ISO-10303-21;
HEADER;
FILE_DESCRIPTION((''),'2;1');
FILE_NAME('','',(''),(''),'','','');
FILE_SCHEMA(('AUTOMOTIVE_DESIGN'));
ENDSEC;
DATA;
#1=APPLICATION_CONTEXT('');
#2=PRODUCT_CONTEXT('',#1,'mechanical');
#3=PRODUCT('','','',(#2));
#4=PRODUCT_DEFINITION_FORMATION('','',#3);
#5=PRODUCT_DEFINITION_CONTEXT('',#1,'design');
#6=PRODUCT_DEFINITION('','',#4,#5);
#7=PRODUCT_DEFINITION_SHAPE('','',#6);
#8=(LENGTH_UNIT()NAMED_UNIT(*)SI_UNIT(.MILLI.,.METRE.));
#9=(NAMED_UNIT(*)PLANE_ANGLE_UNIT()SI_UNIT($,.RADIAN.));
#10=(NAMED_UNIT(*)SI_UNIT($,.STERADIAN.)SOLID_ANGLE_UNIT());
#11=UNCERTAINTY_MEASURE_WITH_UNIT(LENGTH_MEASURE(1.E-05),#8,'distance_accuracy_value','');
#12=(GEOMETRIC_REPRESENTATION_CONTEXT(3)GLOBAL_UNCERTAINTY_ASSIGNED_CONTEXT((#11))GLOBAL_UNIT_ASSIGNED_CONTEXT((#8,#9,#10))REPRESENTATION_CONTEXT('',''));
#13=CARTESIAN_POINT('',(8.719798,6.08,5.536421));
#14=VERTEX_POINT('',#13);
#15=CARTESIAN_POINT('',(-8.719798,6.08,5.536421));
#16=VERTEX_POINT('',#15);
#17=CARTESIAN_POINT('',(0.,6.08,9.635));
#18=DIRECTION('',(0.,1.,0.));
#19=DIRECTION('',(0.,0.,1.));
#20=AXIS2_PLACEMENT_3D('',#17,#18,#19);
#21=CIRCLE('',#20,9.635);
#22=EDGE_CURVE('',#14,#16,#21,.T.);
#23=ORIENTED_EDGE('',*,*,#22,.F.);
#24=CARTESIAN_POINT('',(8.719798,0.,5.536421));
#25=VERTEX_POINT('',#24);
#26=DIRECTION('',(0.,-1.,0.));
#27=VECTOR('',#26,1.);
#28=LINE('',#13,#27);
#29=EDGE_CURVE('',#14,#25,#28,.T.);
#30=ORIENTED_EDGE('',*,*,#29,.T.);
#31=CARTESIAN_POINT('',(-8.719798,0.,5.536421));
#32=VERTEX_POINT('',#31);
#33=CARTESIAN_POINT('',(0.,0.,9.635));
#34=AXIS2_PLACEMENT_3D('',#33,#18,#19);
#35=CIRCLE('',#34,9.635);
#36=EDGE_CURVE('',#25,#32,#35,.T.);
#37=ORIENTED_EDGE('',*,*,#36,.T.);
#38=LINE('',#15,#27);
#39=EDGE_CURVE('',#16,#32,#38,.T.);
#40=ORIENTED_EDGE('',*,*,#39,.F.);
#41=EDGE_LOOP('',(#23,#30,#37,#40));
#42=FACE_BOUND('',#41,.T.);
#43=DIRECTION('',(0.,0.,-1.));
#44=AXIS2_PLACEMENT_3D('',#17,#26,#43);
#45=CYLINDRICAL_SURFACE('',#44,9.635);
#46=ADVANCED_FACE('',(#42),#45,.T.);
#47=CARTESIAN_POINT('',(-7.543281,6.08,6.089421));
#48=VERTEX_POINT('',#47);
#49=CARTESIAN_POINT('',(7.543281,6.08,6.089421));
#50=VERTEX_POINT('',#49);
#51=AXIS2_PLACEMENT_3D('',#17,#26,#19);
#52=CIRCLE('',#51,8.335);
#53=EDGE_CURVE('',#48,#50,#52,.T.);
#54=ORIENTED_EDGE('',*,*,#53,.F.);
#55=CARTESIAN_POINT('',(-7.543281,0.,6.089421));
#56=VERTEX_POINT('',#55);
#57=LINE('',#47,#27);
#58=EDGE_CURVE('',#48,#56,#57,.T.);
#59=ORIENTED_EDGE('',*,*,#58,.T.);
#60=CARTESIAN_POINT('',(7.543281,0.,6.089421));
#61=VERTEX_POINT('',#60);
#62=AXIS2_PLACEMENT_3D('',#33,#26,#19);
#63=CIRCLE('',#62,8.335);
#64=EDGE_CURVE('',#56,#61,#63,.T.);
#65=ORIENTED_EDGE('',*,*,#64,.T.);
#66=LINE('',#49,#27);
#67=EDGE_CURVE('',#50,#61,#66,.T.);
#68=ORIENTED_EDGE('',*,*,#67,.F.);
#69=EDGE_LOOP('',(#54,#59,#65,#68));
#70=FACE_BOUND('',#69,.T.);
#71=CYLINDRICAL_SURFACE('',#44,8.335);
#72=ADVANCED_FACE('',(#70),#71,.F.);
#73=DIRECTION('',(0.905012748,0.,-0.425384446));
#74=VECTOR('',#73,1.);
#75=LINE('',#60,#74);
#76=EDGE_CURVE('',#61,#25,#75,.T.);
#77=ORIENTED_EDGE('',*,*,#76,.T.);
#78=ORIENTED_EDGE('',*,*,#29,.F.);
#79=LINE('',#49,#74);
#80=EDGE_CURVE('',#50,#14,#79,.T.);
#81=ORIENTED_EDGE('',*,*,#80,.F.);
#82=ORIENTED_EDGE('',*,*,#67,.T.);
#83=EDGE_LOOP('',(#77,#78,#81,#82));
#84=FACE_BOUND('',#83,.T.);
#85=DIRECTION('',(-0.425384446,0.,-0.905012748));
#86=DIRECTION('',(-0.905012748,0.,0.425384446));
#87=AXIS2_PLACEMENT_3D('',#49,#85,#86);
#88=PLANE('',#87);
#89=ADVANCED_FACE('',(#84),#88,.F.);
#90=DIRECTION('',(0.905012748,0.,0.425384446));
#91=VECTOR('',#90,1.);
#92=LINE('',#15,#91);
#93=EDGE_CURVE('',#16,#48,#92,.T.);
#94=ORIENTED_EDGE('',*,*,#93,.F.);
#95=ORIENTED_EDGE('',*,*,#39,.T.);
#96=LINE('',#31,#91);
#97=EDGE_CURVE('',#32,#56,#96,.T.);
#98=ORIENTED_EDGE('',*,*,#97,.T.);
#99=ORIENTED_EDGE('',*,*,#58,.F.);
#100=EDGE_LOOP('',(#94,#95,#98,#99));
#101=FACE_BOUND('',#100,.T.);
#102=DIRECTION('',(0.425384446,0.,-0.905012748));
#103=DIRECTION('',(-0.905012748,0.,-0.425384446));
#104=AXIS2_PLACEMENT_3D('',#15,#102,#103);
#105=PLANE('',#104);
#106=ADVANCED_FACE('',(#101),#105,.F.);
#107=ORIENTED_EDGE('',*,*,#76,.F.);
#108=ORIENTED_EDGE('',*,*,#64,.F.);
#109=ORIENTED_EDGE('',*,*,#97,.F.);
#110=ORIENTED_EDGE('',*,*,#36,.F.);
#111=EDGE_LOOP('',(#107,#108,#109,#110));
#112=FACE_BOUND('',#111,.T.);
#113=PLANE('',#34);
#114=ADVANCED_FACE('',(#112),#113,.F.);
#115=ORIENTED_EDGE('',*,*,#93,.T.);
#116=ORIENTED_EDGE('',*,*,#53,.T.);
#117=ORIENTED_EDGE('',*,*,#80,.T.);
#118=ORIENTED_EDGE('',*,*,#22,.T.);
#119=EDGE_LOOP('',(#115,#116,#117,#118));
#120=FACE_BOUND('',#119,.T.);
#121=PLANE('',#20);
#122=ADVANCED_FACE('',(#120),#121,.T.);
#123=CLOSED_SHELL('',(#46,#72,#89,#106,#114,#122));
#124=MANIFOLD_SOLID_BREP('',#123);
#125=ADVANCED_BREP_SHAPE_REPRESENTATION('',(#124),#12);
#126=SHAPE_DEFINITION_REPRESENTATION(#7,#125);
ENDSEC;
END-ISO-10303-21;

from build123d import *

# Parameters (mm, degrees)
BOSS_EXTRUDE1_DEPTH = 6.08


with BuildPart() as part:
    # Sketch1 → Boss-Extrude1 (new body)
    with BuildSketch(Plane(origin=(0, 0, 0), x_dir=(1, 0, 0), z_dir=(0, 1, 0))):
        with BuildLine():
            Line((7.543281251, -6.089420645), (8.719797823, -5.536420865))
            ThreePointArc((8.719797823, -5.536420865), (0, 0), (-8.719797823, -5.536420865))
            Line((-8.719797823, -5.536420865), (-7.543281251, -6.089420645))
            ThreePointArc((-7.543281251, -6.089420645), (0, -1.3), (7.543281251, -6.089420645))
        make_face()
    extrude(amount=BOSS_EXTRUDE1_DEPTH)


solid = part.part
